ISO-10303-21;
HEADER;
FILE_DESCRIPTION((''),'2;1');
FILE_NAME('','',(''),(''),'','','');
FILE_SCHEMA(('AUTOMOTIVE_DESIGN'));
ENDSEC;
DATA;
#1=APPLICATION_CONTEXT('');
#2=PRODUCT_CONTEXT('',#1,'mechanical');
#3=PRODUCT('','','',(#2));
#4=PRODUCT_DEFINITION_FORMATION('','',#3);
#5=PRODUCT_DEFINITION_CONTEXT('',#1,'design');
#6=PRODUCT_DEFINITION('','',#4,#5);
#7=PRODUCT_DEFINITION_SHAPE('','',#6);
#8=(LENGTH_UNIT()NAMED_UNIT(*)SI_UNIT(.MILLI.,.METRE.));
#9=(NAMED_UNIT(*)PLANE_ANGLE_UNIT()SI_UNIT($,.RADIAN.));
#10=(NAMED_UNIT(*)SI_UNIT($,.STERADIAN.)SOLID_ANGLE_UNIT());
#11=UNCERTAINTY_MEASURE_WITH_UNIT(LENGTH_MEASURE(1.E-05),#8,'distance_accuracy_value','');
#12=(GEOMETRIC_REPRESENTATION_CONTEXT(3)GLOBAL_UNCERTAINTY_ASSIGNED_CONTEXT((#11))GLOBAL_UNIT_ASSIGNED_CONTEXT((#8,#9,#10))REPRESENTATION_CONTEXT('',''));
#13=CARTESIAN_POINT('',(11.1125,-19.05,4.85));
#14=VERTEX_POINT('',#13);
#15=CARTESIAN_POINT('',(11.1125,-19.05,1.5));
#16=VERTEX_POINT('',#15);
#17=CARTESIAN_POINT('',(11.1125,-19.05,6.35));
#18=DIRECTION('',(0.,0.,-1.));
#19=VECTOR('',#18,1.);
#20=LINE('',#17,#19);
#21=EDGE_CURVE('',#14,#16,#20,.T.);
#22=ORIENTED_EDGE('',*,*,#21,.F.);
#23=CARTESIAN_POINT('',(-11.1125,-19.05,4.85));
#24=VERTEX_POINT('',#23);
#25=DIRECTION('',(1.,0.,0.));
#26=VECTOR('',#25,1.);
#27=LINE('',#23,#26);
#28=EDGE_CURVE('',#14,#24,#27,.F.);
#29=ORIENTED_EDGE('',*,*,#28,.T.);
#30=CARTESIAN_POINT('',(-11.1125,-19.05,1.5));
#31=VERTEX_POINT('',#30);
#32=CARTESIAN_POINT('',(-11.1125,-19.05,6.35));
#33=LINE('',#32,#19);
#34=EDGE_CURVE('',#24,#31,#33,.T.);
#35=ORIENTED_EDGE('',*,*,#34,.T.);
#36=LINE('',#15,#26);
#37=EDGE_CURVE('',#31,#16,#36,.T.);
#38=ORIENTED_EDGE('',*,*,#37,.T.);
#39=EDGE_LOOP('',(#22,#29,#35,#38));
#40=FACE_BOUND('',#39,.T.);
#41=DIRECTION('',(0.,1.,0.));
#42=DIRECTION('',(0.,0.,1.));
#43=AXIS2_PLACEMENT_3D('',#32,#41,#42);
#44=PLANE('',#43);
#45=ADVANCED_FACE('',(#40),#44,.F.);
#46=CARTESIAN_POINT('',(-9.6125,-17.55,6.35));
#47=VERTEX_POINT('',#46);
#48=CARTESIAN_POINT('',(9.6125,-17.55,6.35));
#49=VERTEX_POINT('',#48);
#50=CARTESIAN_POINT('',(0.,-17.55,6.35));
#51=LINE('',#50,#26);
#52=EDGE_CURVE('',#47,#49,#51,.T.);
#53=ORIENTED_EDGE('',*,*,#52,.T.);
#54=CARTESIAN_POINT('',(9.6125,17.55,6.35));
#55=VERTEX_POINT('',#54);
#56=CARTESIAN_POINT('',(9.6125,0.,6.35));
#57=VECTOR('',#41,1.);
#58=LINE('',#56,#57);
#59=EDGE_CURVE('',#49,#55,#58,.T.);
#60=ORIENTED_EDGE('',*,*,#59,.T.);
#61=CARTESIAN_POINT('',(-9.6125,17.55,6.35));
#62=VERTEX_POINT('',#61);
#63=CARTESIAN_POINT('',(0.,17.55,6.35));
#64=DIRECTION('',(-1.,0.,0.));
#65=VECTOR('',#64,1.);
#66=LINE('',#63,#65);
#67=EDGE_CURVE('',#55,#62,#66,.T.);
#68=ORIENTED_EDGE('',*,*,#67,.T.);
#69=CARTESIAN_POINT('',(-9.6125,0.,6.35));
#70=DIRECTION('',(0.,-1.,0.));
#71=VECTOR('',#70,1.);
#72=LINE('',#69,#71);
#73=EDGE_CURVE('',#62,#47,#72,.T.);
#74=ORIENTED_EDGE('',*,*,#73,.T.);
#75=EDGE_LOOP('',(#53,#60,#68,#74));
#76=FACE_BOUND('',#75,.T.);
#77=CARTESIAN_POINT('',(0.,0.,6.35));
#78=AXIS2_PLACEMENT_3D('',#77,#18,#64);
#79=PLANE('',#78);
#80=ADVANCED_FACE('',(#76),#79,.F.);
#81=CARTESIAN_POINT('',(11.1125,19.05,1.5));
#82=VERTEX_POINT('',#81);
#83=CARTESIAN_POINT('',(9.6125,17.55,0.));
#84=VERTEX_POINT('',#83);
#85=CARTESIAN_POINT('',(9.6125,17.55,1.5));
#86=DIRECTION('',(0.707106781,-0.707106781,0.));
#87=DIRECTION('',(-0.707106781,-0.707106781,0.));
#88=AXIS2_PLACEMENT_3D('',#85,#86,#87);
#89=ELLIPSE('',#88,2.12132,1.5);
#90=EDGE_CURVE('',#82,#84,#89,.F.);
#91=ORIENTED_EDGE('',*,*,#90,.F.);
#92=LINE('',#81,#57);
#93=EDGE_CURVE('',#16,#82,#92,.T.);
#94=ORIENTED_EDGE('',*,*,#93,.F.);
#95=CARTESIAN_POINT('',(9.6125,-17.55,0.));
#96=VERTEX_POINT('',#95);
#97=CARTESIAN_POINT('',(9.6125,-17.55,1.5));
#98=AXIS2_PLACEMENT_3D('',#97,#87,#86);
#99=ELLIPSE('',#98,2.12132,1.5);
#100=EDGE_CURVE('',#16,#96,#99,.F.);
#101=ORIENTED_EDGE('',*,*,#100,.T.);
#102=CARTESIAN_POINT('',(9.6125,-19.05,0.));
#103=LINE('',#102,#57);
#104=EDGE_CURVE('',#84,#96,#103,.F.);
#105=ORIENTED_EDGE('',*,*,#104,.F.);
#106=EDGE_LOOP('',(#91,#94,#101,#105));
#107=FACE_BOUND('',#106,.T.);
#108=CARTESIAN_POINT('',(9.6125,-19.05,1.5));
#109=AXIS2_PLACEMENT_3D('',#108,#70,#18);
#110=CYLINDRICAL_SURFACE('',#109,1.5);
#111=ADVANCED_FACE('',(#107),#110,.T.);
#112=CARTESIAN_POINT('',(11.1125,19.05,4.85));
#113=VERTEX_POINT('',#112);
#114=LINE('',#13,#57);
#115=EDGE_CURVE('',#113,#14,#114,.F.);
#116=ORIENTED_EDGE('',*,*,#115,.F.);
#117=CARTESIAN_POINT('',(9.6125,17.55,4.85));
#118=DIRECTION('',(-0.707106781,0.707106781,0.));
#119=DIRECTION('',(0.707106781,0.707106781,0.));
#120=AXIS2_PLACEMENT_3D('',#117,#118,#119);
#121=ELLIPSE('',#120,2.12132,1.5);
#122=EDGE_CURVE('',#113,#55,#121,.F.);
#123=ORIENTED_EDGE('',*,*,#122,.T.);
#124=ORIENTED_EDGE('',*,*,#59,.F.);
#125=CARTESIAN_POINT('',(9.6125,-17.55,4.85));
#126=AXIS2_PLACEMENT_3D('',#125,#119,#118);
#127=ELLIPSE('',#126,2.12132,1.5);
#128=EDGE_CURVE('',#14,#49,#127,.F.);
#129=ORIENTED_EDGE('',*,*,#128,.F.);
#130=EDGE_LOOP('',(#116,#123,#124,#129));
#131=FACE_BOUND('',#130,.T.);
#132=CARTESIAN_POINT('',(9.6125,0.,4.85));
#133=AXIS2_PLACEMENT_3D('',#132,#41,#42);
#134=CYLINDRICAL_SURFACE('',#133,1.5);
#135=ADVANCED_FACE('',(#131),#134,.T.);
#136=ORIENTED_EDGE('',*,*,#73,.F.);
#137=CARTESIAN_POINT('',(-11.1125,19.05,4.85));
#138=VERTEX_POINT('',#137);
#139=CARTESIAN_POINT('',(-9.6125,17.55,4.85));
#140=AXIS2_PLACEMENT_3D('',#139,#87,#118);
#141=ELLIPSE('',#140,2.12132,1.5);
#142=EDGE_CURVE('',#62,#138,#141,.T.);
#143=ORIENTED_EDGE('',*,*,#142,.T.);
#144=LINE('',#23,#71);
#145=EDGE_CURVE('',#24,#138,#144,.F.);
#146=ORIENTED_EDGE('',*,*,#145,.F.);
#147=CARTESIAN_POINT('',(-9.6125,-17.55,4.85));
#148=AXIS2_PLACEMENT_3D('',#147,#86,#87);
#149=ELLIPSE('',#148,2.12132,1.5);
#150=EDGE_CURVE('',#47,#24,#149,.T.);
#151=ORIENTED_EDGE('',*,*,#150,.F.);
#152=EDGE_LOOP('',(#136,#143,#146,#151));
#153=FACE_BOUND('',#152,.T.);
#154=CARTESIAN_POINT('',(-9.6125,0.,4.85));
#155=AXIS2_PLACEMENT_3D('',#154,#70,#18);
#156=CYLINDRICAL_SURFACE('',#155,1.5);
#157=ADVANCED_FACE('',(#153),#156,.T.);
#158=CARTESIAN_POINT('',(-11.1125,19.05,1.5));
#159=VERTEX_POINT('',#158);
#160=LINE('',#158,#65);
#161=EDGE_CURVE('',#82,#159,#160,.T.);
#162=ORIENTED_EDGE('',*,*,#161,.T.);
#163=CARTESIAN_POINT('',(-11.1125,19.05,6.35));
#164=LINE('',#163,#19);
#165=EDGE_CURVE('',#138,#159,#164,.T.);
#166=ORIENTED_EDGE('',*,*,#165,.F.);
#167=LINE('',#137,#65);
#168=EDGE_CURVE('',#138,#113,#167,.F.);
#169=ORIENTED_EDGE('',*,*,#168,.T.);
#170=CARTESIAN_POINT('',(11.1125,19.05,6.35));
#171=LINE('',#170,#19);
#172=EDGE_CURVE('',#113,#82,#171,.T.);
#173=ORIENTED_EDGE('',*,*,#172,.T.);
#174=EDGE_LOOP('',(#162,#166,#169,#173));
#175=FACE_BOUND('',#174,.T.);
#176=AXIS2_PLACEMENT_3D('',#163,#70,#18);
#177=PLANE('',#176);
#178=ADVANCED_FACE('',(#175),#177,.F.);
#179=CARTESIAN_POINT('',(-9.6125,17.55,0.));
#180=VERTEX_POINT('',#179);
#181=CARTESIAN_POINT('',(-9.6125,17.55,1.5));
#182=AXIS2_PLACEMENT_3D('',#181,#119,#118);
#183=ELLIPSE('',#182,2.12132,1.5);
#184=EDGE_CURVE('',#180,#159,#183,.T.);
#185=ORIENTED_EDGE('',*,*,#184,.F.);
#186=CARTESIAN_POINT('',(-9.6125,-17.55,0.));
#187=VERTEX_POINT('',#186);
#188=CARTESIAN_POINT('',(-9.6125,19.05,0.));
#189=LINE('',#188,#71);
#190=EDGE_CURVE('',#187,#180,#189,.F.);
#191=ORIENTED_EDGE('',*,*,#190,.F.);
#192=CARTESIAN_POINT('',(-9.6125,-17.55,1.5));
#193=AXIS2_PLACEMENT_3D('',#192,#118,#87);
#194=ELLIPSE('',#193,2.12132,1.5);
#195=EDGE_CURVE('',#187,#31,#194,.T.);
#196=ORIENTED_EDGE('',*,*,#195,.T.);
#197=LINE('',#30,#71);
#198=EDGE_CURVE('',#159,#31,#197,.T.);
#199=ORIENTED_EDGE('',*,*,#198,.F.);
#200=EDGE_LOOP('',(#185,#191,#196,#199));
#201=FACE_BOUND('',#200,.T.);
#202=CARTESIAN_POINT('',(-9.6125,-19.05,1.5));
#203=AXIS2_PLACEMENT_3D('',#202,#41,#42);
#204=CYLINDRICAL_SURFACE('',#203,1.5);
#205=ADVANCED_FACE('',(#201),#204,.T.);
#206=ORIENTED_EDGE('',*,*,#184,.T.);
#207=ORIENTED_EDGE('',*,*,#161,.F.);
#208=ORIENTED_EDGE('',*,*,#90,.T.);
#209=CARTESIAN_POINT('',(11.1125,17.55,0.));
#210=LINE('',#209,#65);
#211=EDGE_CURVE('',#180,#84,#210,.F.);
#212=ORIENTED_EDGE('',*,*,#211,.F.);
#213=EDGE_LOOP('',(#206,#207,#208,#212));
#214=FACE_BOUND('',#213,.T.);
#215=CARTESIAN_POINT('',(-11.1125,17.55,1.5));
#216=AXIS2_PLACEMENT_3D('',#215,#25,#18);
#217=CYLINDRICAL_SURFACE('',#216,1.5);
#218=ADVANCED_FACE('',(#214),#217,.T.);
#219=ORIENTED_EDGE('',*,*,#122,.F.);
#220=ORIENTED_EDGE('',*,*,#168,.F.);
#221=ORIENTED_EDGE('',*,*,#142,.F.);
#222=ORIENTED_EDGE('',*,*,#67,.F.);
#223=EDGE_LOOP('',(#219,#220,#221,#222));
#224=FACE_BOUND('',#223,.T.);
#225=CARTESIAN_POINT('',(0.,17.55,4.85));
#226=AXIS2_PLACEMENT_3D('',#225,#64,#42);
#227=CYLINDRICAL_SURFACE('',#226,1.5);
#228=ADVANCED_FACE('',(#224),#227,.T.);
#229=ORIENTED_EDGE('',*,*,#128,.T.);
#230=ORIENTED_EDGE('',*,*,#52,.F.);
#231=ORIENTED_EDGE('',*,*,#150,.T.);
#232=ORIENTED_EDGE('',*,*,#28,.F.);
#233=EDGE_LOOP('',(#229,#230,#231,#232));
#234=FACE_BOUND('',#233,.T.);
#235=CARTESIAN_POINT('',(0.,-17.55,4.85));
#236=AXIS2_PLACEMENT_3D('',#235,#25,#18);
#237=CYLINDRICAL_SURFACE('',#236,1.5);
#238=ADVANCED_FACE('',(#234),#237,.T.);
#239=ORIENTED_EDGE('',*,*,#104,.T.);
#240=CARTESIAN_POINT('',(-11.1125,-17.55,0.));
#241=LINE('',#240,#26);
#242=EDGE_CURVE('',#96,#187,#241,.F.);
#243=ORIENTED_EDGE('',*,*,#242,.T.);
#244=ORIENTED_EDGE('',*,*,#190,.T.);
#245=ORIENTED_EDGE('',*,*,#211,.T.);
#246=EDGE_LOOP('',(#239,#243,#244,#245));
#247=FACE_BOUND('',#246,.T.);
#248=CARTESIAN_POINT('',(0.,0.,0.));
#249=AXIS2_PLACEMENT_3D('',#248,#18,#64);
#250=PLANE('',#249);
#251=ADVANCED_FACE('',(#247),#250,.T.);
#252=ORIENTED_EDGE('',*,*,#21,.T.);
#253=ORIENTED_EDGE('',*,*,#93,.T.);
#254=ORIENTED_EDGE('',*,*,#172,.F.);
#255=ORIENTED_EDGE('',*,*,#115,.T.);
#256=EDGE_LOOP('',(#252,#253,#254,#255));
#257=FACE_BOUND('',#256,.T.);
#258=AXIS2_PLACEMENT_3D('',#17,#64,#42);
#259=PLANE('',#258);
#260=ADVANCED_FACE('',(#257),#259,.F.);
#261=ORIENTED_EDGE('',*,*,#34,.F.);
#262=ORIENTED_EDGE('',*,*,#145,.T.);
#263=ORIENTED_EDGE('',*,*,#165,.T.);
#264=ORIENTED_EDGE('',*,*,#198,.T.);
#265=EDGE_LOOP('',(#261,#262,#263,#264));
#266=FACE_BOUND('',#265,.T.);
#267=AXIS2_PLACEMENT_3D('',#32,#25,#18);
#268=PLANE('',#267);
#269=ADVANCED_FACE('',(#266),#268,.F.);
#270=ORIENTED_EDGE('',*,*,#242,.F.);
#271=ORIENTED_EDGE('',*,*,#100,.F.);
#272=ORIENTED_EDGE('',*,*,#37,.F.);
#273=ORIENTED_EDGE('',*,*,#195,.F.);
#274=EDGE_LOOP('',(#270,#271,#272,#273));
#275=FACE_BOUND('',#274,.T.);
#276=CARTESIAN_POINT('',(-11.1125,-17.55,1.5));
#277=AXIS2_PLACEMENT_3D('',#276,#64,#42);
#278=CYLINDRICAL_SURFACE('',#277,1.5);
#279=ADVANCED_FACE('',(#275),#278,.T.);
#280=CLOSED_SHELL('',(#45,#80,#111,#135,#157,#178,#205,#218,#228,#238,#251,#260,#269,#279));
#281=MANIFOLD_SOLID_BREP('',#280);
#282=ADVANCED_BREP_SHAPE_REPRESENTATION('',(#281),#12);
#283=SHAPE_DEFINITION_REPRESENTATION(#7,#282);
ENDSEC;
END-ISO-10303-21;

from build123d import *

# Parameters (mm, degrees)
SKETCH1_W           = 22.225
SKETCH1_H           = 38.1
BOSS_EXTRUDE1_DEPTH = 6.35
FILLET1_R           = 1.5


with BuildPart() as part:
    # Sketch1 → Boss-Extrude1 (new body)
    with BuildSketch(Plane.XY):
        Rectangle(SKETCH1_W, SKETCH1_H)
    extrude(amount=BOSS_EXTRUDE1_DEPTH)

    # Fillet1
    fillet1_edges = [part.edges().sort_by_distance(p)[0] for p in [
        (-11.1125, 0, 6.35),
        (0, -19.05, 6.35),
        (11.1125, 0, 6.35),
        (0, -19.05, 0),
        (-11.1125, 0, 0),
        (0, 19.05, 0),
        (11.1125, 0, 0),
        (0, 19.05, 6.35),
    ]]
    fillet(fillet1_edges, radius=FILLET1_R)


solid = part.part
